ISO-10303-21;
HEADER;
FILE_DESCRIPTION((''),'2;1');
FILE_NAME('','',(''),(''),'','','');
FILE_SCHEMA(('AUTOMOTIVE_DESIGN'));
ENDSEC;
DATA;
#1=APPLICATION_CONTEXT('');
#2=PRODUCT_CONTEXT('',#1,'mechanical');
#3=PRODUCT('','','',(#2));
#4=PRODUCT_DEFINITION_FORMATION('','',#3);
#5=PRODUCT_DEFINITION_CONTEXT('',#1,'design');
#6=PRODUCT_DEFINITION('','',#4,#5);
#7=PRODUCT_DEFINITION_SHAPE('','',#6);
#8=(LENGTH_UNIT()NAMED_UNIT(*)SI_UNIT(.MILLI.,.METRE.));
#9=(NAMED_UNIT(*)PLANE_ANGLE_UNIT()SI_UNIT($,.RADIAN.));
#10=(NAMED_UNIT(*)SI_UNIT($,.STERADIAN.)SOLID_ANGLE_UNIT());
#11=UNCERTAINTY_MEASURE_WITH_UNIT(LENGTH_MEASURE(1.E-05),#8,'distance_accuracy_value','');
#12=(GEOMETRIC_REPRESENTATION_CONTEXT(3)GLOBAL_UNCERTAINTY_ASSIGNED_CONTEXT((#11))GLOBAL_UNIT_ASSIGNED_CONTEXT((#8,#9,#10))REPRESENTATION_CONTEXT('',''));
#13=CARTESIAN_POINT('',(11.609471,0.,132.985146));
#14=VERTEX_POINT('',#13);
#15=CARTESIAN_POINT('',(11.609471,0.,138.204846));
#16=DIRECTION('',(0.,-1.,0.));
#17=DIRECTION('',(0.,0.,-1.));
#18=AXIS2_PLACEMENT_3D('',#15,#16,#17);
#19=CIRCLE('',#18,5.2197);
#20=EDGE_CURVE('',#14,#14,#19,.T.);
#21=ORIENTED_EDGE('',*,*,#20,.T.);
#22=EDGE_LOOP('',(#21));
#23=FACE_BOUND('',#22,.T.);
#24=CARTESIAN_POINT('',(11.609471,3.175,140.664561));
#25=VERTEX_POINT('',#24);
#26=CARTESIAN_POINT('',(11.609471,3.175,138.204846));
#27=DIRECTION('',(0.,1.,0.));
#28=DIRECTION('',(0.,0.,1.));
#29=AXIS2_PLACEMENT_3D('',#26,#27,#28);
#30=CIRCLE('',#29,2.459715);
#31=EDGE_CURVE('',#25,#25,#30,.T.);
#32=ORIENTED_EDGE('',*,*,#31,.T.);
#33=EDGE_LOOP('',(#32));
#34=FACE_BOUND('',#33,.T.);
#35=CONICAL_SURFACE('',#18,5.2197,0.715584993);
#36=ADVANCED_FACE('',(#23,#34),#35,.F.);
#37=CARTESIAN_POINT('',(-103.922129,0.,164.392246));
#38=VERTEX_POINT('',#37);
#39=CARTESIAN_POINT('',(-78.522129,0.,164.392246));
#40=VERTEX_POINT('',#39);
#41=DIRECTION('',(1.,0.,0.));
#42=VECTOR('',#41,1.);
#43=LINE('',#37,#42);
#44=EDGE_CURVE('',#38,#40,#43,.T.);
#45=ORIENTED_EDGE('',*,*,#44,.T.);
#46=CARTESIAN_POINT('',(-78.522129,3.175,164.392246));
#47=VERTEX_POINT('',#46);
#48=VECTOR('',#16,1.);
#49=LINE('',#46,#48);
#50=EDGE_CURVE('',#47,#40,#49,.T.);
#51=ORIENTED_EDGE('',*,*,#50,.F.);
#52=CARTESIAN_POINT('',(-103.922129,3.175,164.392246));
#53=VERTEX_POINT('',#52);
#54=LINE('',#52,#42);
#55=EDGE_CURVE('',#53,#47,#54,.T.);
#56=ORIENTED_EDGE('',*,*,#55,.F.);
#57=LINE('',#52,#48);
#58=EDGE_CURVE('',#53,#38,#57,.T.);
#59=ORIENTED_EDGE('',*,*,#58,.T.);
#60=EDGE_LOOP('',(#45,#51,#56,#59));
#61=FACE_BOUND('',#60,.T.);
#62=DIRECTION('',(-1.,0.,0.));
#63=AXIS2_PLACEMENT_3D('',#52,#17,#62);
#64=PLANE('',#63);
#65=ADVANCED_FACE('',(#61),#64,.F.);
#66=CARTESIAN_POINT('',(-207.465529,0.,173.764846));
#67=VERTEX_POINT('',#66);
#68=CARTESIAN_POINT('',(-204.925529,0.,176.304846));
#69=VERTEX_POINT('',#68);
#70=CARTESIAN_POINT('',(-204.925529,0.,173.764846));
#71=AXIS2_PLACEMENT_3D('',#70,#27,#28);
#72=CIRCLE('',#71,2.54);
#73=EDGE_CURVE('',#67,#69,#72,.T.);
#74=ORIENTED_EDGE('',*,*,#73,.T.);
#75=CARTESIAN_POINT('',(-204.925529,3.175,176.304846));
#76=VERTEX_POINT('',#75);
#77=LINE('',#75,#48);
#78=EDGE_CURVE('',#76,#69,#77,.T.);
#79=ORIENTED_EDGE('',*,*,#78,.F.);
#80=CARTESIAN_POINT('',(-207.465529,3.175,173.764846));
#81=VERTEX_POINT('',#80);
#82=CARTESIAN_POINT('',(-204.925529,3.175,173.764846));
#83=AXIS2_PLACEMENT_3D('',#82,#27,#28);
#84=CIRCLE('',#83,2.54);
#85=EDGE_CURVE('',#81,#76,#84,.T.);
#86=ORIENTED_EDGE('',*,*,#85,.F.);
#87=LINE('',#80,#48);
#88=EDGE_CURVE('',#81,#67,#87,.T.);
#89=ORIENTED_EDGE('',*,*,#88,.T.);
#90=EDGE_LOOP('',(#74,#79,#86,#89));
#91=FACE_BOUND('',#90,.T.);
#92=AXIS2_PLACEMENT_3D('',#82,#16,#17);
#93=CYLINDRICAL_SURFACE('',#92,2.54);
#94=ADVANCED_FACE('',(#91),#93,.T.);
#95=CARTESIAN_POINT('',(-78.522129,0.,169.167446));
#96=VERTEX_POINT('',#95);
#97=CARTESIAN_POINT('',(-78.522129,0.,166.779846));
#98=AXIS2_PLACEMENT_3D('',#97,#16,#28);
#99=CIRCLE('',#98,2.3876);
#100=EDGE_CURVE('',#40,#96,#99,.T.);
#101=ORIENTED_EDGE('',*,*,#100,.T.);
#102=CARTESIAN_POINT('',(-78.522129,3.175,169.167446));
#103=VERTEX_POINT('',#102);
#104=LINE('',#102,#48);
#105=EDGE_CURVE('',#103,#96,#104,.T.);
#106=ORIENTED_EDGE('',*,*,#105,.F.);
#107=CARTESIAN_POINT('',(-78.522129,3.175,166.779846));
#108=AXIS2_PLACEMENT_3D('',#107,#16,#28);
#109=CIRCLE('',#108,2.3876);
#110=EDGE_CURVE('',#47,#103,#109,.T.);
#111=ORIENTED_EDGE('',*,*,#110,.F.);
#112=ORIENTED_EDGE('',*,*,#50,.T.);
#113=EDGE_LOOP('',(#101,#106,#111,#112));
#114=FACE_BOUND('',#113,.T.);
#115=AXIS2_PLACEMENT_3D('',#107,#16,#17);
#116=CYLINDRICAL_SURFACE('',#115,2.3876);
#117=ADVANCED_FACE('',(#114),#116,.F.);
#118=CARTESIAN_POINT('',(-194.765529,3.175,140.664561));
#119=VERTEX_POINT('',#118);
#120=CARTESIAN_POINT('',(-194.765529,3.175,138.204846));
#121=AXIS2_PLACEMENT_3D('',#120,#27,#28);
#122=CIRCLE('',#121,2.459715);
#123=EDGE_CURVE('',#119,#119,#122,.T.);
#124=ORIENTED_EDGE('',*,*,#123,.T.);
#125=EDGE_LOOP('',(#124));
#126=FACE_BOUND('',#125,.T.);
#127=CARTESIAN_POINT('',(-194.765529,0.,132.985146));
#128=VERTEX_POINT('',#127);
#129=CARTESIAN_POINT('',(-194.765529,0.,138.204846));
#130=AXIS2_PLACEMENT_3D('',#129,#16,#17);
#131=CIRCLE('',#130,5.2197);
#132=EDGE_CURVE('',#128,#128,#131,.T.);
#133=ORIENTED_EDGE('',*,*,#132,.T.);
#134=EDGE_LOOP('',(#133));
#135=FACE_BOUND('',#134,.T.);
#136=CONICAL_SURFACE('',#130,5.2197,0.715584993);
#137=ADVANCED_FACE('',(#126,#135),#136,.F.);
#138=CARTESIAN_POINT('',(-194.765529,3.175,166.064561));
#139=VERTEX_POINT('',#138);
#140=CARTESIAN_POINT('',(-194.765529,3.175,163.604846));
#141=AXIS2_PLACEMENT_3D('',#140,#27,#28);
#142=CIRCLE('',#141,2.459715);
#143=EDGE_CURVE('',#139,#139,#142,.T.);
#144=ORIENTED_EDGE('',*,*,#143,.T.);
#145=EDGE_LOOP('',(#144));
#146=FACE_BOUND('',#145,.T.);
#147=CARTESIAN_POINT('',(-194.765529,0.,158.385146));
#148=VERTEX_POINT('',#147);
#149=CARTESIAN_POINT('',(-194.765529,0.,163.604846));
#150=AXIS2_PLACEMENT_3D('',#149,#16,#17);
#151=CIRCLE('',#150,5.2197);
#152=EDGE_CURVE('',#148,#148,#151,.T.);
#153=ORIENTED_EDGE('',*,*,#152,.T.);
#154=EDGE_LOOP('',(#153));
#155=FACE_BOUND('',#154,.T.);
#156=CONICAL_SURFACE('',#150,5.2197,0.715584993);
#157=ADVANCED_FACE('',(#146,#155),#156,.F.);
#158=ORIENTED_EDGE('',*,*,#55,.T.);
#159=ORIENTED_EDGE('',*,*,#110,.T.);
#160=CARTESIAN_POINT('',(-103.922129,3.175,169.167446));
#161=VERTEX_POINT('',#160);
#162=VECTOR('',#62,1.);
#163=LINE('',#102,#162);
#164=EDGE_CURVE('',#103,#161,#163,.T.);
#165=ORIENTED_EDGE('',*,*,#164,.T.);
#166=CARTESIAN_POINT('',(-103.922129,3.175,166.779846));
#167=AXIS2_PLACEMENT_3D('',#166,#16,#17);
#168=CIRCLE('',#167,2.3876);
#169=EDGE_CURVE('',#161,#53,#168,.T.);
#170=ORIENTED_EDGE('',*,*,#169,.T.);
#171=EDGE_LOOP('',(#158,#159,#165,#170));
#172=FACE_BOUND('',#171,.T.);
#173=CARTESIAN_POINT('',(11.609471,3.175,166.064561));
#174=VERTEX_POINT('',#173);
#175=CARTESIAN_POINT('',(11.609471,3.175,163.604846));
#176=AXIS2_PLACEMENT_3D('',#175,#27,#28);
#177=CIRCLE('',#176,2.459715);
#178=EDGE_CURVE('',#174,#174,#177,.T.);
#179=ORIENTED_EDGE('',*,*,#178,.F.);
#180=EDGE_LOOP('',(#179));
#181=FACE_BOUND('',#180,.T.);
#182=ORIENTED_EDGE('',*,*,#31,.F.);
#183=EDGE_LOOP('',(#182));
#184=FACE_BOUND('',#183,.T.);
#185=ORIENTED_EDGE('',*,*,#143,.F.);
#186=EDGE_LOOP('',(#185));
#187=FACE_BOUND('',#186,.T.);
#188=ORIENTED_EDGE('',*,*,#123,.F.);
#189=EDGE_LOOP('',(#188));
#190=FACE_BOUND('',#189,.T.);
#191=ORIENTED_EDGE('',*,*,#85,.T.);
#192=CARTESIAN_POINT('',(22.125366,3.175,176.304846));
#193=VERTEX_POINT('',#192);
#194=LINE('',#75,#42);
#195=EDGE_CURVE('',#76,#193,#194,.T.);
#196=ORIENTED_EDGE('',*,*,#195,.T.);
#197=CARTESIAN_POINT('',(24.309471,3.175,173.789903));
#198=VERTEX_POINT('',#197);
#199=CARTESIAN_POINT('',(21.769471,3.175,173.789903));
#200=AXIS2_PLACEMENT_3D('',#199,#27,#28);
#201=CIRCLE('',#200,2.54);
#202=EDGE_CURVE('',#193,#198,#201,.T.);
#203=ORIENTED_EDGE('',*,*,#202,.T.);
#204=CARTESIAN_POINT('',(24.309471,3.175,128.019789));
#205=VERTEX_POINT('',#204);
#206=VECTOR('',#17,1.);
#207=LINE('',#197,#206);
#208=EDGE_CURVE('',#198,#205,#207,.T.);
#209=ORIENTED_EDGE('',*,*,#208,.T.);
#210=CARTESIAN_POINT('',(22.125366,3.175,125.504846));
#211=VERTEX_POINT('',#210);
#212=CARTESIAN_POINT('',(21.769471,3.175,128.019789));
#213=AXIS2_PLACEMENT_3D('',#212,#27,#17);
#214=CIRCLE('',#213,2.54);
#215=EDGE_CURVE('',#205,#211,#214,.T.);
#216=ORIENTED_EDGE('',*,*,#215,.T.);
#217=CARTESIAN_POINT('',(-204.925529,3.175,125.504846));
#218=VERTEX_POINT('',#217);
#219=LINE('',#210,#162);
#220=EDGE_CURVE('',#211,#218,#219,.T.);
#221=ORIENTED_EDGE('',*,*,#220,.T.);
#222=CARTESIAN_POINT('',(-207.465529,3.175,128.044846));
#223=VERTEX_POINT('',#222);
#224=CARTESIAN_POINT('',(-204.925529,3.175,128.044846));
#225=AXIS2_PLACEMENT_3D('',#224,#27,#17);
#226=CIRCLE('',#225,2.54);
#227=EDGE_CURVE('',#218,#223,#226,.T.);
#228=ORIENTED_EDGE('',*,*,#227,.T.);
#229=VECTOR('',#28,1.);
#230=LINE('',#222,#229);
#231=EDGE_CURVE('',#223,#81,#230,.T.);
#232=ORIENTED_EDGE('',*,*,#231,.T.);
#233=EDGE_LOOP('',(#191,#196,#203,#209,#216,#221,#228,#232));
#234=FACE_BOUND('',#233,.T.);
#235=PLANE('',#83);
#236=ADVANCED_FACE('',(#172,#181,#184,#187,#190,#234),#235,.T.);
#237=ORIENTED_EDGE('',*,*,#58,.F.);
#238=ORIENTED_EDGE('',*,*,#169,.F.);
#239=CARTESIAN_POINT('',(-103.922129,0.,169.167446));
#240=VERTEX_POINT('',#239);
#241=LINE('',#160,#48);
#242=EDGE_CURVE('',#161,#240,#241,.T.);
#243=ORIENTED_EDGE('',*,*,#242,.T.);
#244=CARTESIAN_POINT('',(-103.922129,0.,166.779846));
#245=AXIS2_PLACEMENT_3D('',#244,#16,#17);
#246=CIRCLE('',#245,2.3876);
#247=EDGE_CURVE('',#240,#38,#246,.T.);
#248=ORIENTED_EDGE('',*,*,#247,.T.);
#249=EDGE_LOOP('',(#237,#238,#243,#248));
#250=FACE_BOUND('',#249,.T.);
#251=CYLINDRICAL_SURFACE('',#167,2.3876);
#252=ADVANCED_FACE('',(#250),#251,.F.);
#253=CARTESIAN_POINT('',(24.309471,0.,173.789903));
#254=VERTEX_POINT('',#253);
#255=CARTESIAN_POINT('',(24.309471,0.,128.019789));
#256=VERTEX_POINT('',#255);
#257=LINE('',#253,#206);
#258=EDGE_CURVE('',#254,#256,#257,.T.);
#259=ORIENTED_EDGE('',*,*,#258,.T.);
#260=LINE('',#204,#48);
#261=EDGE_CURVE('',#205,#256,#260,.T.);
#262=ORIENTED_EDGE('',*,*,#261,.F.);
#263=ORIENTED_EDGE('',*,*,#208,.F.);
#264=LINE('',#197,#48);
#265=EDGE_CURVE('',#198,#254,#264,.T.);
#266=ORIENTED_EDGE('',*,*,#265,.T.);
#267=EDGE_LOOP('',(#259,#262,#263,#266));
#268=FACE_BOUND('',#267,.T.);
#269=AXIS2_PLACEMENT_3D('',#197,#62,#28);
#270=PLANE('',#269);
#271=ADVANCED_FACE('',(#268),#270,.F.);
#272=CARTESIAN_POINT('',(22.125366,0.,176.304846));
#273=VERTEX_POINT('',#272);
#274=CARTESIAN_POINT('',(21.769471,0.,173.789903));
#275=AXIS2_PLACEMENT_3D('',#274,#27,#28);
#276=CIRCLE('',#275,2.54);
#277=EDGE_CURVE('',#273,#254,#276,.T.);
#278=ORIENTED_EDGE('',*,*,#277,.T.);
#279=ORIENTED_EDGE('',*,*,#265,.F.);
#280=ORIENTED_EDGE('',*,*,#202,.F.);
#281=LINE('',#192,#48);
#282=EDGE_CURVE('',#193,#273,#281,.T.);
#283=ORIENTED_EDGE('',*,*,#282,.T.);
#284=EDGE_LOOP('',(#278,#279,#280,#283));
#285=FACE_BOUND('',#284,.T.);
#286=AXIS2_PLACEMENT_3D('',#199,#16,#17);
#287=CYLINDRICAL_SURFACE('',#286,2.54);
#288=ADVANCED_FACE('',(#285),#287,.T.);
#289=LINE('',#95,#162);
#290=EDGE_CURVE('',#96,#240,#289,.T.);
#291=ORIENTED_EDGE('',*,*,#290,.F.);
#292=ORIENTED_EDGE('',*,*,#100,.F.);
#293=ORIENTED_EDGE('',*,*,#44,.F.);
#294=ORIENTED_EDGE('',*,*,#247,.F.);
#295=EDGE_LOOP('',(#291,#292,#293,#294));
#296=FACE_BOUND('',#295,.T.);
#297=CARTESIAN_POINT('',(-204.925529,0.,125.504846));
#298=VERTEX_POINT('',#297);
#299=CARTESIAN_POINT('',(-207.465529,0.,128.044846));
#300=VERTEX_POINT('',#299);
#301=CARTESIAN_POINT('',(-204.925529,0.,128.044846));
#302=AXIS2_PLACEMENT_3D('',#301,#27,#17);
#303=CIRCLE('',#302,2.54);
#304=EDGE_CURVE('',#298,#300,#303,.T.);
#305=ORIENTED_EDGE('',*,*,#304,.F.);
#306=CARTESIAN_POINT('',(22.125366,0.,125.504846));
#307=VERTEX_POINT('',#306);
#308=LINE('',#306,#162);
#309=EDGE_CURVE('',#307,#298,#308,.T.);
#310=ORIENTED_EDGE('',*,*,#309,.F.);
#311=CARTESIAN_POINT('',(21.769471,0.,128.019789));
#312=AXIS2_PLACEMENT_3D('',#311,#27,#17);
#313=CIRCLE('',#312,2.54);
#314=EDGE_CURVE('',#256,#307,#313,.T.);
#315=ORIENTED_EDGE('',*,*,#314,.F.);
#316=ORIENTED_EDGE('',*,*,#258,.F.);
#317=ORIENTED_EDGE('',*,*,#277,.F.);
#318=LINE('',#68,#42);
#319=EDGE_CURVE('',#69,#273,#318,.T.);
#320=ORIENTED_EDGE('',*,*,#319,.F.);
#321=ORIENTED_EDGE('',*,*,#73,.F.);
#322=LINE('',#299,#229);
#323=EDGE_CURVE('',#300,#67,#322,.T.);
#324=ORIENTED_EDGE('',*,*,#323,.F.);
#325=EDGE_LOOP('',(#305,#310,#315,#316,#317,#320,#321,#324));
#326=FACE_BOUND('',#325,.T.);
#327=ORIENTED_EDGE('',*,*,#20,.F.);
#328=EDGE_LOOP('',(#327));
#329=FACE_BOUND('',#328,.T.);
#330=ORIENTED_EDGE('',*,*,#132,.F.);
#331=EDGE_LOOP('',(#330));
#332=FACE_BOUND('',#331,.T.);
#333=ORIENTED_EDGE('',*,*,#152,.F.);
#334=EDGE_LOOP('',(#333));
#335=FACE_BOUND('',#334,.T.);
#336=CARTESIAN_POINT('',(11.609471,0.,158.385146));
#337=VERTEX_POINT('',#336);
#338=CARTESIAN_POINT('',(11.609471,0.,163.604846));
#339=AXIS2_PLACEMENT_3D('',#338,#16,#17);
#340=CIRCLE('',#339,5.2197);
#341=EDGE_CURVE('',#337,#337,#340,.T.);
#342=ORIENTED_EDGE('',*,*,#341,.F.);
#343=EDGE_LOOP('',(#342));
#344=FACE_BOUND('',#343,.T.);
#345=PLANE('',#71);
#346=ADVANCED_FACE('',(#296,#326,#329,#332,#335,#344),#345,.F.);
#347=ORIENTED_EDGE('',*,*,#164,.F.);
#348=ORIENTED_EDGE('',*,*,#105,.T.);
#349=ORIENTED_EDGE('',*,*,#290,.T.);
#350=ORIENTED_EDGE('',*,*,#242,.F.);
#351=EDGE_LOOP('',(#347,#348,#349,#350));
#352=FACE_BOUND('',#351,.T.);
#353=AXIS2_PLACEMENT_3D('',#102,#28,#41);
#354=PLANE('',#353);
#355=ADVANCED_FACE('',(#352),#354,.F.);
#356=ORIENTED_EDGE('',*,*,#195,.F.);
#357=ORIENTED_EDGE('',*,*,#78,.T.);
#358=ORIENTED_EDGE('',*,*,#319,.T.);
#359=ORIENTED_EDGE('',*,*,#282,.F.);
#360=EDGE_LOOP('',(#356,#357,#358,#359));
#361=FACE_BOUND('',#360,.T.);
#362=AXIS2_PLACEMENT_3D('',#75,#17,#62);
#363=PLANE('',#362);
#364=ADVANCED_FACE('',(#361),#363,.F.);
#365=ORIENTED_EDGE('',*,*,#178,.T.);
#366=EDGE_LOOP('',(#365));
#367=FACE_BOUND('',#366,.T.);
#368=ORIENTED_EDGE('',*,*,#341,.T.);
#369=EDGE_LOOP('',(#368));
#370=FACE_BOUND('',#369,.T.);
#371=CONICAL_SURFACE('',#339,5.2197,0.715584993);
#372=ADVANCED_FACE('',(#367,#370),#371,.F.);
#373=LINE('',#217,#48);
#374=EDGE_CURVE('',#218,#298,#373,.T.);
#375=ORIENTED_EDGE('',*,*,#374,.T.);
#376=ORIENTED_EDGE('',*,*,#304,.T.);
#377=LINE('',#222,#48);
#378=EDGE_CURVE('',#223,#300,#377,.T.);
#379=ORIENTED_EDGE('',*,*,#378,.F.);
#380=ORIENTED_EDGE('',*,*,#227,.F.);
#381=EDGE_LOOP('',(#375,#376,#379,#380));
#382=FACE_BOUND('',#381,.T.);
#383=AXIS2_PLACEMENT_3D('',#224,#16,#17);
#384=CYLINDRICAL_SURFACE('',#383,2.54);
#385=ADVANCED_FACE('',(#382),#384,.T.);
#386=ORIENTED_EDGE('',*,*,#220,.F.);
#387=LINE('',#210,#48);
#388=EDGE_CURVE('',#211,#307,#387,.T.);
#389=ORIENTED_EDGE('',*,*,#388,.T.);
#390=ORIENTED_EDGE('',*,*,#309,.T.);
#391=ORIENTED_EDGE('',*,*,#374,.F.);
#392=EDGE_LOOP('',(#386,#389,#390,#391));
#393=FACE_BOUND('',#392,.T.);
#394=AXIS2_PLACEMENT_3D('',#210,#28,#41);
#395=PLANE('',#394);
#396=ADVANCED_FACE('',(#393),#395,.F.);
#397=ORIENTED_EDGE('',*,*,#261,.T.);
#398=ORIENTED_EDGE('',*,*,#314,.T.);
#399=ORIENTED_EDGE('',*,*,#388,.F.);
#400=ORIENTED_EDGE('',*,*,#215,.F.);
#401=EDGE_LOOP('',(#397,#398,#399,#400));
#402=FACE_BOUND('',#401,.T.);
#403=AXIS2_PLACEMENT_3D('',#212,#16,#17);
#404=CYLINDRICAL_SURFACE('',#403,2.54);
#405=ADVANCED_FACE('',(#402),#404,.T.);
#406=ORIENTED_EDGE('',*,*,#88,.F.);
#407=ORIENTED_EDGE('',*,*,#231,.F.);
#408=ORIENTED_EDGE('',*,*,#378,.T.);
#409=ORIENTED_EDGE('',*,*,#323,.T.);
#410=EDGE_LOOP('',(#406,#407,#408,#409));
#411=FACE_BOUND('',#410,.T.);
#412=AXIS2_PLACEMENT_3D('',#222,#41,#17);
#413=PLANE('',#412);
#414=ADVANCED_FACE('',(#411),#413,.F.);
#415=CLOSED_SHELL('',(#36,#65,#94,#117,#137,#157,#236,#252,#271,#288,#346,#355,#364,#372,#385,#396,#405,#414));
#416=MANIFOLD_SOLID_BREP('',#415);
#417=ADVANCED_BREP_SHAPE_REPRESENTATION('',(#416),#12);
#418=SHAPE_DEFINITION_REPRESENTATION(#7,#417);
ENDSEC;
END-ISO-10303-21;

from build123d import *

# Parameters (mm, degrees)
BOSS_EXTRUDE1_DEPTH                   = 3.175
F_10_0_1935_DIAMETER_HOLE1_AT_2_COUNT = 2
F_10_0_1935_DIAMETER_HOLE1_AT_2_PITCH = 25.4
F_10_0_1935_DIAMETER_HOLE1_AT_3_COUNT = 2
F_10_0_1935_DIAMETER_HOLE1_AT_3_PITCH = 207.932201991
F_10_0_1935_DIAMETER_HOLE1_AT_4_COUNT = 2
F_10_0_1935_DIAMETER_HOLE1_AT_4_PITCH = 206.375
CUT_EXTRUDE1_DEPTH                    = 3.175


with BuildPart() as part:
    # Sketch1 → Boss-Extrude1 (new body)
    with BuildSketch(Plane(origin=(0, 0, 0), x_dir=(1, 0, 0), z_dir=(0, 1, 0))):
        with BuildLine():
            Line((22.125366444, -125.50484625), (-204.925528738, -125.50484625))
            ThreePointArc((-204.925528738, -125.50484625), (-206.721579962, -126.248795026), (-207.465528738, -128.04484625))
            Line((-207.465528738, -128.04484625), (-207.465528738, -173.76484625))
            ThreePointArc((-207.465528738, -173.76484625), (-206.721579962, -175.560897474), (-204.925528738, -176.30484625))
            Line((-204.925528738, -176.30484625), (22.125366444, -176.30484625))
            ThreePointArc((22.125366444, -176.30484625), (23.687226951, -175.455380029), (24.309471262, -173.789903185))
            Line((24.309471262, -173.789903185), (24.309471262, -128.019789315))
            ThreePointArc((24.309471262, -128.019789315), (23.687226951, -126.354312471), (22.125366444, -125.50484625))
        make_face()
    extrude(amount=BOSS_EXTRUDE1_DEPTH)

    # Sketch4 → #10 (0.1935) Diameter Hole1 (revolve, cut)
    with BuildSketch(Plane(origin=(11.609471262, 0, 163.60484625), x_dir=(0, 0, -1), z_dir=(1, 0, 0))):
        Polygon((0, 0), (0, 3.175), (2.45745, 3.175), (2.45745, 3.177605133), (5.2197, 0), align=None)
    f_10_0_1935_diameter_hole1 = revolve(axis=Axis((11.609471262, -6.35, 163.60484625), (0, 1, 0)), mode=Mode.SUBTRACT)

    # #10 (0.1935) Diameter Hole1 at 2: #10 (0.1935) Diameter Hole1 ×2
    with Locations(*[(0, 0, -i * F_10_0_1935_DIAMETER_HOLE1_AT_2_PITCH) for i in range(1, F_10_0_1935_DIAMETER_HOLE1_AT_2_COUNT)]):
        add(f_10_0_1935_diameter_hole1, mode=Mode.SUBTRACT)

    # #10 (0.1935) Diameter Hole1 at 3: #10 (0.1935) Diameter Hole1 ×2
    with Locations(*[Vector(-0.9925110109136314, 0, -0.12215520134321609) * (i * F_10_0_1935_DIAMETER_HOLE1_AT_3_PITCH) for i in range(1, F_10_0_1935_DIAMETER_HOLE1_AT_3_COUNT)]):
        add(f_10_0_1935_diameter_hole1, mode=Mode.SUBTRACT)

    # #10 (0.1935) Diameter Hole1 at 4: #10 (0.1935) Diameter Hole1 ×2
    with Locations(*[(-i * F_10_0_1935_DIAMETER_HOLE1_AT_4_PITCH, 0, 0) for i in range(1, F_10_0_1935_DIAMETER_HOLE1_AT_4_COUNT)]):
        add(f_10_0_1935_diameter_hole1, mode=Mode.SUBTRACT)

    # Sketch6 → Cut-Extrude1 (cut)
    with BuildSketch(Plane.XZ):
        with BuildLine():
            Line((-78.522128749, 169.16744625), (-103.922128749, 169.16744625))
            ThreePointArc((-103.922128749, 169.16744625), (-106.309728749, 166.77984625), (-103.922128749, 164.39224625))
            Line((-103.922128749, 164.39224625), (-78.522128749, 164.39224625))
            ThreePointArc((-78.522128749, 164.39224625), (-76.134528749, 166.77984625), (-78.522128749, 169.16744625))
        make_face()
    extrude(amount=-CUT_EXTRUDE1_DEPTH, mode=Mode.SUBTRACT)


solid = part.part
